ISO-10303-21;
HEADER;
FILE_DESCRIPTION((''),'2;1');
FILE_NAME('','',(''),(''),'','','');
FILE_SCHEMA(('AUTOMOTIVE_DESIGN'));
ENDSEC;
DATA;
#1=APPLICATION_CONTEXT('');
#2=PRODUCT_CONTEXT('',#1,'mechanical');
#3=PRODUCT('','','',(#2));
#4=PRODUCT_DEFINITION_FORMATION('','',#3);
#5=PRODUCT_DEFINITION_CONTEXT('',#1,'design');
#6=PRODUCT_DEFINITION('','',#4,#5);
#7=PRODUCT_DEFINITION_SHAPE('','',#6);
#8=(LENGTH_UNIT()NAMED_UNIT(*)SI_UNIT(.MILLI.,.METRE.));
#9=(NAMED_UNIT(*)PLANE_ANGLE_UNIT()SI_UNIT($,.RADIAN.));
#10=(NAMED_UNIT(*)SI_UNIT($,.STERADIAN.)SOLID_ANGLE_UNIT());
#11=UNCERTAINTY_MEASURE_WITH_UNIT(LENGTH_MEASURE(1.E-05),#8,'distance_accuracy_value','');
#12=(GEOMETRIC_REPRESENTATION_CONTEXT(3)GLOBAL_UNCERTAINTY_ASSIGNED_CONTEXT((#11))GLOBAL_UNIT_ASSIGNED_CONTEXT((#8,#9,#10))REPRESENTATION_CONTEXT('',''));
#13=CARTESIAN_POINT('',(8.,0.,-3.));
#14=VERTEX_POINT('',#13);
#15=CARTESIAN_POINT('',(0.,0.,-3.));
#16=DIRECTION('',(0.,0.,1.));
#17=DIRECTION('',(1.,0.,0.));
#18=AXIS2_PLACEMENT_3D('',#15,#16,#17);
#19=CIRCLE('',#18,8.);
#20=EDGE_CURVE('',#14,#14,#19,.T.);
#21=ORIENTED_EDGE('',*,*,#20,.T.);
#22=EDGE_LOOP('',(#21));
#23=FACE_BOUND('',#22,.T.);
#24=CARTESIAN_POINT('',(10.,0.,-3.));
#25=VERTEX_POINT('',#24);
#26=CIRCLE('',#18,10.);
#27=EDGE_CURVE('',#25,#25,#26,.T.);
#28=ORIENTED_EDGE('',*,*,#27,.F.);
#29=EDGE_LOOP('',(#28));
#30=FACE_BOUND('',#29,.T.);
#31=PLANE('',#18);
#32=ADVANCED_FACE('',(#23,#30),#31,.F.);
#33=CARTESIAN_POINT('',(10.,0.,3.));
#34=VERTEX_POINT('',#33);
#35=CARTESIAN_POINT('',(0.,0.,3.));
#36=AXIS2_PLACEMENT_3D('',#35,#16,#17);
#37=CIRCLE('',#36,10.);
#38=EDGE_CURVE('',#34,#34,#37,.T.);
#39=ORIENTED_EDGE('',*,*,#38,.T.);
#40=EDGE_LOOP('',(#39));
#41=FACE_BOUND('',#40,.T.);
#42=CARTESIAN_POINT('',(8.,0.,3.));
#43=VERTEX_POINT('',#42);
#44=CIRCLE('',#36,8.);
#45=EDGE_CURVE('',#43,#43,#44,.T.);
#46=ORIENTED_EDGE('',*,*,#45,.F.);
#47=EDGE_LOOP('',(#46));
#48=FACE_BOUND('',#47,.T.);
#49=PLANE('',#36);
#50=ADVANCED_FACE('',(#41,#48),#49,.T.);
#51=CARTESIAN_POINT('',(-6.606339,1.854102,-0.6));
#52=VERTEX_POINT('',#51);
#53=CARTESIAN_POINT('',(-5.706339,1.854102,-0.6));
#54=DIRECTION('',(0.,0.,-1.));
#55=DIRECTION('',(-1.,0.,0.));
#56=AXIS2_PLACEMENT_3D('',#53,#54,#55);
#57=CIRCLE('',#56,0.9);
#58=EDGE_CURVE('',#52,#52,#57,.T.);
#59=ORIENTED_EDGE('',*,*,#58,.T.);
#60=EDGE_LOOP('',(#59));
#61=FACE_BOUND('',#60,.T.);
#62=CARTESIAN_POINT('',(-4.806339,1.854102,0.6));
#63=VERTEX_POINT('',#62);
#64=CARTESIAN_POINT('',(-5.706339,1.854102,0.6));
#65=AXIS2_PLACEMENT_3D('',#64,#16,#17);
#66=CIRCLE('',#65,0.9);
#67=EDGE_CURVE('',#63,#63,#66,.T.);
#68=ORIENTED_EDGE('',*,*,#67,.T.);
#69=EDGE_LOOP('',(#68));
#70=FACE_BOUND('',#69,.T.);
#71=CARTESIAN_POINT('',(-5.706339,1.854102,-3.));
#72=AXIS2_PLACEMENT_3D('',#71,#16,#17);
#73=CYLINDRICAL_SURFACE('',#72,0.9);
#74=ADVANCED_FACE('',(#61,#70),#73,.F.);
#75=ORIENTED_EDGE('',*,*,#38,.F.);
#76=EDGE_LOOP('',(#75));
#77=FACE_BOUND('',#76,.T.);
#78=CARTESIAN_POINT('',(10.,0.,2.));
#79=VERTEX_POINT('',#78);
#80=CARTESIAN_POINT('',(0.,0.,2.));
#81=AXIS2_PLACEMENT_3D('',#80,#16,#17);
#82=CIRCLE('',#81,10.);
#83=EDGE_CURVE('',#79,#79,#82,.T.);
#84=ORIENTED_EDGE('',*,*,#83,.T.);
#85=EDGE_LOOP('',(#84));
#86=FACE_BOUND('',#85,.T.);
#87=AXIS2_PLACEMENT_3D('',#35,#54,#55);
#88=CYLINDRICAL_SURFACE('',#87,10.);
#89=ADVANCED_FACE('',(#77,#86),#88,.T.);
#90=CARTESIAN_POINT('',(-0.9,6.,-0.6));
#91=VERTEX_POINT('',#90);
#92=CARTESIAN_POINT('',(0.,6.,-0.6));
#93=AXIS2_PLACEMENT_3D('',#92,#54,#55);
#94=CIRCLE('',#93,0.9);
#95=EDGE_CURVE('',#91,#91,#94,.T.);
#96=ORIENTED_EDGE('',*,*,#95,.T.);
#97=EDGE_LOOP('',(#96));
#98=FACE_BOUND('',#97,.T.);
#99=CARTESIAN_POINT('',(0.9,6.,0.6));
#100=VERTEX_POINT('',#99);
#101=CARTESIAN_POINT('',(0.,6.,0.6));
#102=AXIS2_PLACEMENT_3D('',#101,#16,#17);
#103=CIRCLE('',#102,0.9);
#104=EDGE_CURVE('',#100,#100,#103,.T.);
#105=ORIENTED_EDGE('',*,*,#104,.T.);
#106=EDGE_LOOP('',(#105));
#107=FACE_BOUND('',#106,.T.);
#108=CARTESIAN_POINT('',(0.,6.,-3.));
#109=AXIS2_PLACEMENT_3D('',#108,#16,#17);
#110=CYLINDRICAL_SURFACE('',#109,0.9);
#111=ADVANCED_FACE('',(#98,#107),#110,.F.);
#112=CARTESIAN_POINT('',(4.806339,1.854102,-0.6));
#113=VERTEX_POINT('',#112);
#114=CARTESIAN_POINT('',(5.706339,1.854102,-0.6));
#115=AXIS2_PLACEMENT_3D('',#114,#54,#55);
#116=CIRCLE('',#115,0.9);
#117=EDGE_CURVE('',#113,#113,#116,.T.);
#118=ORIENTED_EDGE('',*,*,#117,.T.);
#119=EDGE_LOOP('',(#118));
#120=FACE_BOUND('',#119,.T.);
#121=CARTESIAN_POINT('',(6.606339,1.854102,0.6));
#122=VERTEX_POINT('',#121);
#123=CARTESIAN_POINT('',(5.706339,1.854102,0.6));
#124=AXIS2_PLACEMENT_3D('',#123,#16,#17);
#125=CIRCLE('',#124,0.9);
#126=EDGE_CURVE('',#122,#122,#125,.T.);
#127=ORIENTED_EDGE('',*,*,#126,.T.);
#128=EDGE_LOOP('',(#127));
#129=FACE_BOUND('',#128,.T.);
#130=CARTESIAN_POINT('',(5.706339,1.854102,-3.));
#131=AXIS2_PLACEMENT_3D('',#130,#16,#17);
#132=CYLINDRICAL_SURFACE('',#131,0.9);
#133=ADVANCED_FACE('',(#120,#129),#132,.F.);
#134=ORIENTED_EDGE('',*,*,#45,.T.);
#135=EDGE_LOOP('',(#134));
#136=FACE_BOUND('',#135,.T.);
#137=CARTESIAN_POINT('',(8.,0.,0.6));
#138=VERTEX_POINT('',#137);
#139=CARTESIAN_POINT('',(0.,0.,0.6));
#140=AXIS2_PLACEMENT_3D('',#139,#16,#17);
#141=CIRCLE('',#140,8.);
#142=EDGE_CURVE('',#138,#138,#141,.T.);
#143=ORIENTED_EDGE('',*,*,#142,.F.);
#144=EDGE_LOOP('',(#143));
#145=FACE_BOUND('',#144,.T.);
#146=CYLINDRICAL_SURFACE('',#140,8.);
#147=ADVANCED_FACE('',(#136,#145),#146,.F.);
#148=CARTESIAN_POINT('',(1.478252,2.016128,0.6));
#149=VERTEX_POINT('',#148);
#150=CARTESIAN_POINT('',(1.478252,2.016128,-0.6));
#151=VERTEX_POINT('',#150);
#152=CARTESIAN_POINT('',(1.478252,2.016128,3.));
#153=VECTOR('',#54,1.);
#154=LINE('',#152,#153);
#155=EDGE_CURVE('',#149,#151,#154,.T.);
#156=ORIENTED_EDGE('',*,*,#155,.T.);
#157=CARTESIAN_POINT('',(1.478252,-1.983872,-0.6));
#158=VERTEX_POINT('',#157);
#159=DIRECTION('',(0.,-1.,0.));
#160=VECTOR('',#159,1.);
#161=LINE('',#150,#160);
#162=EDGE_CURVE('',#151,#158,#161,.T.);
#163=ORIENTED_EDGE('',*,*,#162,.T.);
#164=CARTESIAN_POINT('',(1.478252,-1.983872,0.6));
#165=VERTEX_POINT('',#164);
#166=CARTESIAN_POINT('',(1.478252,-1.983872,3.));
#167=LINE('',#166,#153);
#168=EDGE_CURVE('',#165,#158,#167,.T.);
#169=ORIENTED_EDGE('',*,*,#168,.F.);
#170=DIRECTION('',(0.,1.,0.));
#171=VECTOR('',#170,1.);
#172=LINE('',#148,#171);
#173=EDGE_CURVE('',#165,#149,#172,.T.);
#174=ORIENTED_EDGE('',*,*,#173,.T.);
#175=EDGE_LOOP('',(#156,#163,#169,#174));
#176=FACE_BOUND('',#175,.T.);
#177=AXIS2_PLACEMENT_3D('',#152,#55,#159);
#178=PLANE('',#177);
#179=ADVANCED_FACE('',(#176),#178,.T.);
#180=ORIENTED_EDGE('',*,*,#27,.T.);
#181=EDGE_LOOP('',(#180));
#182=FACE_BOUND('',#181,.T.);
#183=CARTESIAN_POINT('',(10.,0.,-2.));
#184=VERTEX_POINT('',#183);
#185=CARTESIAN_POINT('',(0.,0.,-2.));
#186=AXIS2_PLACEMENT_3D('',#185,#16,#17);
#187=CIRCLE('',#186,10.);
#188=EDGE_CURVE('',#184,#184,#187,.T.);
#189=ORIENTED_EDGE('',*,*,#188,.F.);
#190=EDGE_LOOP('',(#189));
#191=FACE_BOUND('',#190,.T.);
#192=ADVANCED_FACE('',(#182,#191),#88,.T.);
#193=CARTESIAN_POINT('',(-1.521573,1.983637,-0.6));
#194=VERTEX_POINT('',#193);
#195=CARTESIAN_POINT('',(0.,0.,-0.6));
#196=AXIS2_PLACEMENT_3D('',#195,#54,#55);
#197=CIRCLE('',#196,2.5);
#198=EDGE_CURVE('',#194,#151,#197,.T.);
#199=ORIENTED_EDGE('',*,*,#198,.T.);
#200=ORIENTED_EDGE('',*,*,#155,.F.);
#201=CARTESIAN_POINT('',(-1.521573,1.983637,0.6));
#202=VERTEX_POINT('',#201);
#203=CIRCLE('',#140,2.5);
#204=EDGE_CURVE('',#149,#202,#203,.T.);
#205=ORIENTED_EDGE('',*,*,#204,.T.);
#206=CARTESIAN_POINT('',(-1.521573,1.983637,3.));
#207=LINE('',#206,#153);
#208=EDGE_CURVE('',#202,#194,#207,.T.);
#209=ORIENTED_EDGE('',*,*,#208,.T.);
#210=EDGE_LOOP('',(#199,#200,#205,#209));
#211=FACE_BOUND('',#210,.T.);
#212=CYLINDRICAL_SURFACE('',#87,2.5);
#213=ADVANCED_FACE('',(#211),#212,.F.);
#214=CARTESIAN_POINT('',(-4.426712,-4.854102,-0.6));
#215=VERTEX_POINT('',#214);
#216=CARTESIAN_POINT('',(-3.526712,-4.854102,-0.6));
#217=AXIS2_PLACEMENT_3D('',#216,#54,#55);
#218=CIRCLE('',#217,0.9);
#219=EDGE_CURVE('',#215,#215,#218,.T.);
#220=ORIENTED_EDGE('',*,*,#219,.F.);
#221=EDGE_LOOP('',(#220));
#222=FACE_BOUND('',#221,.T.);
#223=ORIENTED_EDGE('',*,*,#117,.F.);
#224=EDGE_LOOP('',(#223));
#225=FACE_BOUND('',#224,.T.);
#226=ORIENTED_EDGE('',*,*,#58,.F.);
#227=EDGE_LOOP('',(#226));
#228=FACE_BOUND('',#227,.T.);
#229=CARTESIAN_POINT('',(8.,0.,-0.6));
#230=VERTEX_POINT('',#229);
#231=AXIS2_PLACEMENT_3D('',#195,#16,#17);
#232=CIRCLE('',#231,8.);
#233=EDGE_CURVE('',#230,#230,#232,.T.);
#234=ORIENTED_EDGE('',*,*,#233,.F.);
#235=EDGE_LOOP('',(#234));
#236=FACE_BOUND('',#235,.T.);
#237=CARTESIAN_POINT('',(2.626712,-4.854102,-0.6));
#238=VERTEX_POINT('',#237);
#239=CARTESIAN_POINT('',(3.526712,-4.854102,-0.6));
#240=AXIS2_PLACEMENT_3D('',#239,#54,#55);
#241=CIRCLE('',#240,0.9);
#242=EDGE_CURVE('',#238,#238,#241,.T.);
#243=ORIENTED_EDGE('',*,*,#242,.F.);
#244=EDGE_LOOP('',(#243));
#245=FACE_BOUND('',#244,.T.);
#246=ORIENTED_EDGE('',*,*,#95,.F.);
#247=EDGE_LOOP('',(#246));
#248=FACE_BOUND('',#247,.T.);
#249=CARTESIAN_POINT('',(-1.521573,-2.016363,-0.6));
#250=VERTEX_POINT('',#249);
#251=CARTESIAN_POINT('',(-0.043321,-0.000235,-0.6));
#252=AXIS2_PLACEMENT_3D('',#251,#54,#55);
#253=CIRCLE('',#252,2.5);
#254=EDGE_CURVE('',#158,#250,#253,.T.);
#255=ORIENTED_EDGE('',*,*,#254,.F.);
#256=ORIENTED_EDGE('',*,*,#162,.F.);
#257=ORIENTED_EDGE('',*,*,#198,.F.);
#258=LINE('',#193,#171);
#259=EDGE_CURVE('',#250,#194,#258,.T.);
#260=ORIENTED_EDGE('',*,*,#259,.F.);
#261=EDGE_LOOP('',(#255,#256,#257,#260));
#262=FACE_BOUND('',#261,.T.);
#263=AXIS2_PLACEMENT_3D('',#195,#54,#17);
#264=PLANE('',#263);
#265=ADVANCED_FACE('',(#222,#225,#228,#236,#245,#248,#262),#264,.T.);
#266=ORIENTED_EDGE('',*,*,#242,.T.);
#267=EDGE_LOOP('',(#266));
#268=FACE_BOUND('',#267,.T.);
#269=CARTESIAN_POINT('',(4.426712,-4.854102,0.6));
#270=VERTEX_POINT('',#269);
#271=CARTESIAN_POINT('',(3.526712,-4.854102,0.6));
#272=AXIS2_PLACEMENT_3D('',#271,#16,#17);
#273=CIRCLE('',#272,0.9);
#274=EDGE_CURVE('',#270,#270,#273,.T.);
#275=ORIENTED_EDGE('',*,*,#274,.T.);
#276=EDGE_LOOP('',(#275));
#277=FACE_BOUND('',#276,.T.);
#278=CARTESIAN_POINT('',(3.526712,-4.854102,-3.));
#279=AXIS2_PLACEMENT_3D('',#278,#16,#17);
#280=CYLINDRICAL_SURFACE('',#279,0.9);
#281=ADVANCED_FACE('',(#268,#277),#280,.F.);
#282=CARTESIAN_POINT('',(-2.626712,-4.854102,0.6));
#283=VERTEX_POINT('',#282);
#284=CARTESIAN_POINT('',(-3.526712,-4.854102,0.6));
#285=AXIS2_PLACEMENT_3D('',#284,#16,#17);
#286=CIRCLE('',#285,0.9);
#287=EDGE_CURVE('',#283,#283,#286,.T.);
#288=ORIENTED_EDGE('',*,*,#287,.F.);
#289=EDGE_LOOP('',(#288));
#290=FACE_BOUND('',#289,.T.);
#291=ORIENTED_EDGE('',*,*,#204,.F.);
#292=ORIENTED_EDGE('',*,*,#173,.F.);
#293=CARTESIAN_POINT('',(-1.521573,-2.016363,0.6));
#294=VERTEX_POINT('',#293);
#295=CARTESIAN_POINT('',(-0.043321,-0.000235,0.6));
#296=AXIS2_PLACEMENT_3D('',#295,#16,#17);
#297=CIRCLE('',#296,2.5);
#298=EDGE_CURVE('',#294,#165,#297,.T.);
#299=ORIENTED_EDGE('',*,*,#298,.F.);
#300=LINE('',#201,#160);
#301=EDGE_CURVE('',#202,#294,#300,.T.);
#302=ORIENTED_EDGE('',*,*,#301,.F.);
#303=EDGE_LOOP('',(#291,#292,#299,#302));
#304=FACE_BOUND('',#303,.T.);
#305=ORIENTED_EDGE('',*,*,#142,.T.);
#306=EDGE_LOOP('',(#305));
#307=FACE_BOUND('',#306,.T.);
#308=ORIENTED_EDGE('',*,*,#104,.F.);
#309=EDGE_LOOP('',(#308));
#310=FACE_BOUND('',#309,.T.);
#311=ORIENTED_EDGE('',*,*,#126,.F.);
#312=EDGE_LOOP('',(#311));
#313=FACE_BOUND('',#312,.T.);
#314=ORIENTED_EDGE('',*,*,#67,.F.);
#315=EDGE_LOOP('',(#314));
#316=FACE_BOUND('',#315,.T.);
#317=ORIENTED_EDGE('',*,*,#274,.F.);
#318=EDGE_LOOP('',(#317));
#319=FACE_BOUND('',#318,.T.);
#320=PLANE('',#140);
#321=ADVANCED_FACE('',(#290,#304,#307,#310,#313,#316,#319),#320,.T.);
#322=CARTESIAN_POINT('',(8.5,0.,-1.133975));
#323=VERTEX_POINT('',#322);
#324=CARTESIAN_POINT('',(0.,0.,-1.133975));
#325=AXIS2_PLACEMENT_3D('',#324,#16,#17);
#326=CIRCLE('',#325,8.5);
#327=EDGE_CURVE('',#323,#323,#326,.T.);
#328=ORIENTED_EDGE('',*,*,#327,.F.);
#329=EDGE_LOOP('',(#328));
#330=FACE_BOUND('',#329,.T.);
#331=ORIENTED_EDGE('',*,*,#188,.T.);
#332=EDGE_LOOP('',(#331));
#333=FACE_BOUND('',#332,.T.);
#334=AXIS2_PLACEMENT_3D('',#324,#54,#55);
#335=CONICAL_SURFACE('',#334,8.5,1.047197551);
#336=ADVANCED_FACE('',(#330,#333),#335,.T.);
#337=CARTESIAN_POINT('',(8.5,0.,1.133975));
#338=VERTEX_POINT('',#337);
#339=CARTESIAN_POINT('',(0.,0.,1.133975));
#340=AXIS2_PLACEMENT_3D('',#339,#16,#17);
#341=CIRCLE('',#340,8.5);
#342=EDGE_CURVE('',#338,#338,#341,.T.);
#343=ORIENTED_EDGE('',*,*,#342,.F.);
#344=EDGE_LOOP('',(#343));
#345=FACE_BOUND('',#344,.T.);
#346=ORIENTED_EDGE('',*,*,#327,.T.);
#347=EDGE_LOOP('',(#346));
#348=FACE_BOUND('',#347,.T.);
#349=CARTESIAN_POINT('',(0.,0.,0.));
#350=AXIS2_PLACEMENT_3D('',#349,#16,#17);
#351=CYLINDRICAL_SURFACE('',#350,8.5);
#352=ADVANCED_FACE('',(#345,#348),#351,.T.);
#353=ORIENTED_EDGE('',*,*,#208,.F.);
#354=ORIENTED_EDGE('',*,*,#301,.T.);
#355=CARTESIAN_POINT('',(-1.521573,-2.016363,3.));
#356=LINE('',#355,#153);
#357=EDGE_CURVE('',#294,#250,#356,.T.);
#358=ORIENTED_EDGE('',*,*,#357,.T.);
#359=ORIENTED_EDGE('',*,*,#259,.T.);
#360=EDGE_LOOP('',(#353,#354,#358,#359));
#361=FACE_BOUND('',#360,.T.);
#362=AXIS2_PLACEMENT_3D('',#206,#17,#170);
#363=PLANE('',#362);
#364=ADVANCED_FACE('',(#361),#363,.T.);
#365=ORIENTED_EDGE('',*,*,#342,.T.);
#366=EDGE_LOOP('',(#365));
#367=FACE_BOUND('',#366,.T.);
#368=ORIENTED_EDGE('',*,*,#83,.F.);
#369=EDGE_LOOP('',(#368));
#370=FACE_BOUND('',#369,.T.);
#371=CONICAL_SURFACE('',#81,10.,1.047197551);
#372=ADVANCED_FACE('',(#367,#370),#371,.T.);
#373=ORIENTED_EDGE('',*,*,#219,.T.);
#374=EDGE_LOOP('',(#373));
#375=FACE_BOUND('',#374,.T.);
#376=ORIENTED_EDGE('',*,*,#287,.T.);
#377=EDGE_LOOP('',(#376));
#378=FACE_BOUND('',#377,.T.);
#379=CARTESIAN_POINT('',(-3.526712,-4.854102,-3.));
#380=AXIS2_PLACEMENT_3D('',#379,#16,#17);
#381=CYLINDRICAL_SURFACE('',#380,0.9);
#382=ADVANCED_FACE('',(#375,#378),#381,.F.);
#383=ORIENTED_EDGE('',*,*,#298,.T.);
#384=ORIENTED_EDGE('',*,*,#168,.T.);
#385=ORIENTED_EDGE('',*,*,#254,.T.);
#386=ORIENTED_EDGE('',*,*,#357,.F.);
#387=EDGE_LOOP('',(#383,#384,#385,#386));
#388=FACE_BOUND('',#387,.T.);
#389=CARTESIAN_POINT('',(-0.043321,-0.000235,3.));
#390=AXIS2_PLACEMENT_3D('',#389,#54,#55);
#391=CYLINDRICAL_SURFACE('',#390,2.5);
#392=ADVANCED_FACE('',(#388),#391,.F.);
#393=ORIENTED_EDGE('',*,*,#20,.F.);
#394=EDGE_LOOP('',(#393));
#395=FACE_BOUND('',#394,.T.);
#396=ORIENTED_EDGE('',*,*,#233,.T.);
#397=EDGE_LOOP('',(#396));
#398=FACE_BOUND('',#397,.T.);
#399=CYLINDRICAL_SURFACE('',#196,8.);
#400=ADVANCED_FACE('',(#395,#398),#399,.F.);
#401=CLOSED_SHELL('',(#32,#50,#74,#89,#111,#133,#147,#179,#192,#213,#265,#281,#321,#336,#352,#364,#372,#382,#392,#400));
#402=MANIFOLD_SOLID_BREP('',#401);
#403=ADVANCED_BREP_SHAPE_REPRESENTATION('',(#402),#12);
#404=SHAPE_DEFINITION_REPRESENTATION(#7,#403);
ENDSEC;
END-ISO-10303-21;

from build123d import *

# Parameters (mm, degrees)
SKETCH1_R           = 10
BOSS_EXTRUDE1_DEPTH = 3
SKETCH2_R           = 8
CUT_EXTRUDE1_DEPTH  = 2.4
SKETCH3_R           = 0.9
CUT_EXTRUDE3_DEPTH  = 4.6


with BuildPart() as part:
    # Sketch1 → Boss-Extrude1 (new body, symmetric)
    with BuildSketch(Plane.XY):
        Circle(SKETCH1_R)
        with BuildLine():
            Line((-1.521572539, 1.983637318), (-1.521572539, -2.016362682))
            ThreePointArc((-1.521572539, -2.016362682), (-0.016245384, -2.500087973), (1.478251514, -1.983871914))
            Line((1.478251514, -1.983871914), (1.478251514, 2.016128086))
            ThreePointArc((1.478251514, 2.016128086), (-0.02707564, 2.499853378), (-1.521572539, 1.983637318))
        make_face(mode=Mode.SUBTRACT)
    extrude(amount=BOSS_EXTRUDE1_DEPTH, both=True)

    # Sketch2 → Cut-Extrude1 (cut)
    with BuildSketch(Plane.XY.offset(3)):
        Circle(SKETCH2_R)
    cut_extrude1 = extrude(amount=-CUT_EXTRUDE1_DEPTH, mode=Mode.SUBTRACT)

    # Mirror1: Cut-Extrude1 across plane
    add(cut_extrude1.mirror(Plane.XY), mode=Mode.SUBTRACT)

    # Sketch5 → Cut-Revolve1 (revolve, cut)
    with BuildSketch(Plane(origin=(0, 0, 0), x_dir=(1, 0, 0), z_dir=(0, 1, 0))):
        Polygon((-10, 2), (-8.5, 1.133974596), (-8.5, -1.133974596), (-10, -2), align=None)
    revolve(axis=Axis((0, 0, 0), (0, 0, -1)), mode=Mode.SUBTRACT)

    # Sketch3 → Cut-Extrude3 (cut, through all)
    with BuildSketch(Plane.XY.offset(0.6)):
        with Locations((-3.526711514, -4.854101966)):
            Circle(SKETCH3_R)
        with Locations((0, 6)):
            Circle(SKETCH3_R)
        with Locations((5.706339098, 1.854101966)):
            Circle(SKETCH3_R)
        with Locations((3.526711514, -4.854101966)):
            Circle(SKETCH3_R)
        with Locations((-5.706339098, 1.854101966)):
            Circle(SKETCH3_R)
    extrude(amount=-CUT_EXTRUDE3_DEPTH, mode=Mode.SUBTRACT)


solid = part.part
